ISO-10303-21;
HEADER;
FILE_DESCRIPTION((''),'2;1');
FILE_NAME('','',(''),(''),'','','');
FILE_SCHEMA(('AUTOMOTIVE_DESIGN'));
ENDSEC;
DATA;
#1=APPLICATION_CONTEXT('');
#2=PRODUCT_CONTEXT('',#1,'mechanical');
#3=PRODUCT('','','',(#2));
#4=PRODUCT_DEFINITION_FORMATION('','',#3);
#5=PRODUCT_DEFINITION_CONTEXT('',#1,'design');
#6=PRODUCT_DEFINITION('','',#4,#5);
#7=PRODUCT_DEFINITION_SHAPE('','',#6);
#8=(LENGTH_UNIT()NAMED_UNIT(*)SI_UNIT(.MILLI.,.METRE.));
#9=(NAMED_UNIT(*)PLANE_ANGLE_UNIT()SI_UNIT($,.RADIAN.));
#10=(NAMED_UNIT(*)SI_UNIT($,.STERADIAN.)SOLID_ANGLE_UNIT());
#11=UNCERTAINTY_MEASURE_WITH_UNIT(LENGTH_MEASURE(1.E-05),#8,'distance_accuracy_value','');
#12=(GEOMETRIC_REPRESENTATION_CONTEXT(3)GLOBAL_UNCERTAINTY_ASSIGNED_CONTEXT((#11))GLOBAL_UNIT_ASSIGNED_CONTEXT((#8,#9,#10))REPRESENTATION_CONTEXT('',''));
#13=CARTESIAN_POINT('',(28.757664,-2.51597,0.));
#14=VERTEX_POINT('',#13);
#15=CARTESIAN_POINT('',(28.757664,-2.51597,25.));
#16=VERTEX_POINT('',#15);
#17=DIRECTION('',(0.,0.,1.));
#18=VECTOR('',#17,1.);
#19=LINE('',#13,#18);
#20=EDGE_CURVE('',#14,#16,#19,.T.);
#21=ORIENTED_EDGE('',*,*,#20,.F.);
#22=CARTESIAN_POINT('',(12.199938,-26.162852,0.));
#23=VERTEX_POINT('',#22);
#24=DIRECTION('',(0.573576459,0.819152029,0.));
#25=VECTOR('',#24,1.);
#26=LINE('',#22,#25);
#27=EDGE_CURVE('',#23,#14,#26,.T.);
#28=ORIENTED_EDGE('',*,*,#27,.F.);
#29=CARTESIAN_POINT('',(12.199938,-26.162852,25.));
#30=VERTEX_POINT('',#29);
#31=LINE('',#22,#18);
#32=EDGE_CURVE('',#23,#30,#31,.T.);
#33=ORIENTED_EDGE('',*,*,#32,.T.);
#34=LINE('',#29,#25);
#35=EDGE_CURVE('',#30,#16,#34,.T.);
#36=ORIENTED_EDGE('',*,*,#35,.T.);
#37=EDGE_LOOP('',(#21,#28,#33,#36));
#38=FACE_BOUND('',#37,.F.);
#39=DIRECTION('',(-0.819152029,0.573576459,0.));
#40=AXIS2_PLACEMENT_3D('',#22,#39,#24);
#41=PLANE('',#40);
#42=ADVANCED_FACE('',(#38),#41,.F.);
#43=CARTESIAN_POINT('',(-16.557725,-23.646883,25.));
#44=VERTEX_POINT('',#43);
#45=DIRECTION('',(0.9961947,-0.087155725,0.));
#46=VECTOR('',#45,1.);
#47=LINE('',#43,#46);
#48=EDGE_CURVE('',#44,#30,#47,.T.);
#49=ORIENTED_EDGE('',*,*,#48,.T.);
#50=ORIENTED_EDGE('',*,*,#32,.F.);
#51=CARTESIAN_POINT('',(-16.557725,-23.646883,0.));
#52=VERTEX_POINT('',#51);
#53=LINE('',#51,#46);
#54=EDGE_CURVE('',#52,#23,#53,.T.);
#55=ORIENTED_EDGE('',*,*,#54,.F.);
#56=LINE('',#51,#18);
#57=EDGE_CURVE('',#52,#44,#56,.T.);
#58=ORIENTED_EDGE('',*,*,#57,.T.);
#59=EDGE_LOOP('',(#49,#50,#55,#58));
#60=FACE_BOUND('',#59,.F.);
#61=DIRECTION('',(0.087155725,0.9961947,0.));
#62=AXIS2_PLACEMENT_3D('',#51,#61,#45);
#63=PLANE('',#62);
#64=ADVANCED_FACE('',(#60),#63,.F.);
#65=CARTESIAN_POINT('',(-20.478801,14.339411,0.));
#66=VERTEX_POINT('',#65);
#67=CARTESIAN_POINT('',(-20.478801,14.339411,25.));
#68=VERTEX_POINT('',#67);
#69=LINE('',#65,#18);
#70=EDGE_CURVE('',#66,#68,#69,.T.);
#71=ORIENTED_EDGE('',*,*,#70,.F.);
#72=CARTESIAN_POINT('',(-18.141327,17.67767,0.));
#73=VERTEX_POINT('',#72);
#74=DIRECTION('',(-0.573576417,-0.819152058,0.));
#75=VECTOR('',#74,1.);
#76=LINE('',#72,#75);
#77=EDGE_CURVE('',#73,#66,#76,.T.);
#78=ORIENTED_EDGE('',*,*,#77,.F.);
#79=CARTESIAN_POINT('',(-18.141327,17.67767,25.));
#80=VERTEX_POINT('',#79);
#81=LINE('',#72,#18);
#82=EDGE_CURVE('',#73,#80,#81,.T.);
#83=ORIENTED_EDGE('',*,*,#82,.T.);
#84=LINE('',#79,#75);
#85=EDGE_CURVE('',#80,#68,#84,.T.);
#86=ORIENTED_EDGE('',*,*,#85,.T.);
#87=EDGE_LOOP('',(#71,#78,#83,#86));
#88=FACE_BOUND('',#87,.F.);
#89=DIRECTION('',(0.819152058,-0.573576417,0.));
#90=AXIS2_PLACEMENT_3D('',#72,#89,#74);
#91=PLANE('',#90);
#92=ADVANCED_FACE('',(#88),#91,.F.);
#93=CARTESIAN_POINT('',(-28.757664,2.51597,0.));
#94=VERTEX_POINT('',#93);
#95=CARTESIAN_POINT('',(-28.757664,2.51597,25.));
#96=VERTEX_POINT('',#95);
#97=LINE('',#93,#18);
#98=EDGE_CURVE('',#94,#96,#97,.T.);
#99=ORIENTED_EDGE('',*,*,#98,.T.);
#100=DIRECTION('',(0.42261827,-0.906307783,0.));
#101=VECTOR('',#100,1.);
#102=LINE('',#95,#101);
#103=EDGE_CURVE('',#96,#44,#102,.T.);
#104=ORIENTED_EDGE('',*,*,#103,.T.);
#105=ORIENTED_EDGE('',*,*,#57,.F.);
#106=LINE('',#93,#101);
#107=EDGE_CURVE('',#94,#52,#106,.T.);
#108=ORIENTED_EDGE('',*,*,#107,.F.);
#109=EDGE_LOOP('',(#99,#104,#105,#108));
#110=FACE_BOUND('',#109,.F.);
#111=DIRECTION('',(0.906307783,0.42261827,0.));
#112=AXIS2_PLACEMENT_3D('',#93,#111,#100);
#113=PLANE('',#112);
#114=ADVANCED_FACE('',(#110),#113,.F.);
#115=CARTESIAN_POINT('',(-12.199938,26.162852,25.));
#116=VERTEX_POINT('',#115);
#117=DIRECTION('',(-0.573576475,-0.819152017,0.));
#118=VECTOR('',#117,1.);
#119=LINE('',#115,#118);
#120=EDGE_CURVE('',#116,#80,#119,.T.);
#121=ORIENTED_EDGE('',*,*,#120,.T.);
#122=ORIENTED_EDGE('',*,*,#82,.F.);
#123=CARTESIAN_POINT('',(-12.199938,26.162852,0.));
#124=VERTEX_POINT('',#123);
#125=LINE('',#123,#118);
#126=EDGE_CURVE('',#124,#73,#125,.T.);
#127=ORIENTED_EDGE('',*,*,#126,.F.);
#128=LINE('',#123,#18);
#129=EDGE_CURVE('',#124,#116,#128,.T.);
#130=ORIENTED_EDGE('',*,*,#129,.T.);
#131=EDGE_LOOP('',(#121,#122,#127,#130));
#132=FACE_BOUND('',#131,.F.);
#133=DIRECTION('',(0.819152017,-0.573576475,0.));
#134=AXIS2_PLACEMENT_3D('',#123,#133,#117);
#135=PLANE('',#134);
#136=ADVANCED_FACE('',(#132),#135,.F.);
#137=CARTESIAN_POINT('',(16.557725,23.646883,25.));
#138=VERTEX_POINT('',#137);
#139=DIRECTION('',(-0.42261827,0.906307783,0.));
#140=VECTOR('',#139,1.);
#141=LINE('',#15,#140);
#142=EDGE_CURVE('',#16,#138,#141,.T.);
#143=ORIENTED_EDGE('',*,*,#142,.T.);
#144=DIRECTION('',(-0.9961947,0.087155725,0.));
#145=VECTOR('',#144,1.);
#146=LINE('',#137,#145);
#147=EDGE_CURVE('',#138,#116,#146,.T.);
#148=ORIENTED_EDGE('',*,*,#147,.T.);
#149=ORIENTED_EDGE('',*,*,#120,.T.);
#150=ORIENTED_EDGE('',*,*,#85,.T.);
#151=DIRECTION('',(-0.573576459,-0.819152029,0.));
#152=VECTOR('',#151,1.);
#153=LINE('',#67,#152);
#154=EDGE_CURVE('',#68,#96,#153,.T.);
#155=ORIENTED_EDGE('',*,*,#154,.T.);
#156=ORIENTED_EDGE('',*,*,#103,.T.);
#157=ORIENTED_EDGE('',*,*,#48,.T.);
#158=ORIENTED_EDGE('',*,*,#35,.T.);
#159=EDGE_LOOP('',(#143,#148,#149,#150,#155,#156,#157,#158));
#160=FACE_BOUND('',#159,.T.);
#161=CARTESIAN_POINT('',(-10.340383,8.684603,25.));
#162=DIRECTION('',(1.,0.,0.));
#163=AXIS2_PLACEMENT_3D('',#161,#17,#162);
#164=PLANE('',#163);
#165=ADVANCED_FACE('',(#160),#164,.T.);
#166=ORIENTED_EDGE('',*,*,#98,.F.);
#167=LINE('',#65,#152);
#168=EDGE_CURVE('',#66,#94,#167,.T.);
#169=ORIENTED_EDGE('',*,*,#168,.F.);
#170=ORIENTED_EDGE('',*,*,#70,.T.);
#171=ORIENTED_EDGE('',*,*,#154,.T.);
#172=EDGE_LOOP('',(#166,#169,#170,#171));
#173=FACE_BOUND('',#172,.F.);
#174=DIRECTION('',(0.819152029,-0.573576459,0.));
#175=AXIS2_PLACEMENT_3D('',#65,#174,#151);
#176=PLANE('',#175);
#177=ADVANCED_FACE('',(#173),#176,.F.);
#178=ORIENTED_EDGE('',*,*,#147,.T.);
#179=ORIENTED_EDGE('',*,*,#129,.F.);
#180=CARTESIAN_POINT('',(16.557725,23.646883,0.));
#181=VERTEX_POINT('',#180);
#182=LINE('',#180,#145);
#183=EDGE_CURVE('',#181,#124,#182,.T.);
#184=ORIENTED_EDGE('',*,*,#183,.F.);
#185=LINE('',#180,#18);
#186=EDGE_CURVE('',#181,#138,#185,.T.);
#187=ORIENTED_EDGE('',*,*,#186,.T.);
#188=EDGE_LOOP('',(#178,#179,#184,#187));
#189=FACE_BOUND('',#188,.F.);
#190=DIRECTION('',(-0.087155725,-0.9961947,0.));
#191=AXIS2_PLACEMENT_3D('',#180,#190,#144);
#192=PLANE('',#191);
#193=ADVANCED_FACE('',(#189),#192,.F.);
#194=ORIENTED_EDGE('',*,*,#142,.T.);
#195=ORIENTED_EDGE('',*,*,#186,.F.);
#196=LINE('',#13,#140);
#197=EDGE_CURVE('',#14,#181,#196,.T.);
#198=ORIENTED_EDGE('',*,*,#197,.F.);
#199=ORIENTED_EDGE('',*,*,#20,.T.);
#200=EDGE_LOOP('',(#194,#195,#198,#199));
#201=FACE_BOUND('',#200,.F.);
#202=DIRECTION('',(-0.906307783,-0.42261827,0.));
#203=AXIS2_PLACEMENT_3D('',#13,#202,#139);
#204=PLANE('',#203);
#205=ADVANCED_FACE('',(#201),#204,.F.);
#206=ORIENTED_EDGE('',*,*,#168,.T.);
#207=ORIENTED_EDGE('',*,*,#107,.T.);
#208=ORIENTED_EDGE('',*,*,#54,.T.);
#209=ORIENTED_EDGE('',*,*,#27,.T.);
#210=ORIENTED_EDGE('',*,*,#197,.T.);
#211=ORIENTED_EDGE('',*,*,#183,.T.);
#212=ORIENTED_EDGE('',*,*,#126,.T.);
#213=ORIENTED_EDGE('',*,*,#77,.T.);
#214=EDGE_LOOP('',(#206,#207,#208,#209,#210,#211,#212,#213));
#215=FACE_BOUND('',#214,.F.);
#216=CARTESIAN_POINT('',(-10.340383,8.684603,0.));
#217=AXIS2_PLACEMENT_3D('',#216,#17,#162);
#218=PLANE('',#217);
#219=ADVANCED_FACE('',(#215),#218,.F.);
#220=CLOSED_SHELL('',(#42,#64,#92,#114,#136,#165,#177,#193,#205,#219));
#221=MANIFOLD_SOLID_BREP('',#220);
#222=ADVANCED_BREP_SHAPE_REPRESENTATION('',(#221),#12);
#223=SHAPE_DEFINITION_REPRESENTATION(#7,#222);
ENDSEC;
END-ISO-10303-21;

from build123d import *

# Parameters (mm, degrees)
F1_DEPTH = 25


with BuildPart() as f1:
    # F0 (on Top) → F1 (new body)
    with BuildSketch(Plane.XY):
        Polygon((-17.67767, 17.67767), (-18.141327, 17.67767), (-20.478801, 14.339411), (0, 0), align=None)
        Polygon((16.557725, 23.646883), (-12.199938, 26.162852), (-18.141327, 17.67767), (-17.67767, 17.67767), (0, 0), (-20.478801, 14.339411), (-28.757664, 2.51597), (-16.557725, -23.646883), (12.199938, -26.162852), (28.757664, -2.51597), align=None)
    extrude(amount=F1_DEPTH)


solid = f1.part
